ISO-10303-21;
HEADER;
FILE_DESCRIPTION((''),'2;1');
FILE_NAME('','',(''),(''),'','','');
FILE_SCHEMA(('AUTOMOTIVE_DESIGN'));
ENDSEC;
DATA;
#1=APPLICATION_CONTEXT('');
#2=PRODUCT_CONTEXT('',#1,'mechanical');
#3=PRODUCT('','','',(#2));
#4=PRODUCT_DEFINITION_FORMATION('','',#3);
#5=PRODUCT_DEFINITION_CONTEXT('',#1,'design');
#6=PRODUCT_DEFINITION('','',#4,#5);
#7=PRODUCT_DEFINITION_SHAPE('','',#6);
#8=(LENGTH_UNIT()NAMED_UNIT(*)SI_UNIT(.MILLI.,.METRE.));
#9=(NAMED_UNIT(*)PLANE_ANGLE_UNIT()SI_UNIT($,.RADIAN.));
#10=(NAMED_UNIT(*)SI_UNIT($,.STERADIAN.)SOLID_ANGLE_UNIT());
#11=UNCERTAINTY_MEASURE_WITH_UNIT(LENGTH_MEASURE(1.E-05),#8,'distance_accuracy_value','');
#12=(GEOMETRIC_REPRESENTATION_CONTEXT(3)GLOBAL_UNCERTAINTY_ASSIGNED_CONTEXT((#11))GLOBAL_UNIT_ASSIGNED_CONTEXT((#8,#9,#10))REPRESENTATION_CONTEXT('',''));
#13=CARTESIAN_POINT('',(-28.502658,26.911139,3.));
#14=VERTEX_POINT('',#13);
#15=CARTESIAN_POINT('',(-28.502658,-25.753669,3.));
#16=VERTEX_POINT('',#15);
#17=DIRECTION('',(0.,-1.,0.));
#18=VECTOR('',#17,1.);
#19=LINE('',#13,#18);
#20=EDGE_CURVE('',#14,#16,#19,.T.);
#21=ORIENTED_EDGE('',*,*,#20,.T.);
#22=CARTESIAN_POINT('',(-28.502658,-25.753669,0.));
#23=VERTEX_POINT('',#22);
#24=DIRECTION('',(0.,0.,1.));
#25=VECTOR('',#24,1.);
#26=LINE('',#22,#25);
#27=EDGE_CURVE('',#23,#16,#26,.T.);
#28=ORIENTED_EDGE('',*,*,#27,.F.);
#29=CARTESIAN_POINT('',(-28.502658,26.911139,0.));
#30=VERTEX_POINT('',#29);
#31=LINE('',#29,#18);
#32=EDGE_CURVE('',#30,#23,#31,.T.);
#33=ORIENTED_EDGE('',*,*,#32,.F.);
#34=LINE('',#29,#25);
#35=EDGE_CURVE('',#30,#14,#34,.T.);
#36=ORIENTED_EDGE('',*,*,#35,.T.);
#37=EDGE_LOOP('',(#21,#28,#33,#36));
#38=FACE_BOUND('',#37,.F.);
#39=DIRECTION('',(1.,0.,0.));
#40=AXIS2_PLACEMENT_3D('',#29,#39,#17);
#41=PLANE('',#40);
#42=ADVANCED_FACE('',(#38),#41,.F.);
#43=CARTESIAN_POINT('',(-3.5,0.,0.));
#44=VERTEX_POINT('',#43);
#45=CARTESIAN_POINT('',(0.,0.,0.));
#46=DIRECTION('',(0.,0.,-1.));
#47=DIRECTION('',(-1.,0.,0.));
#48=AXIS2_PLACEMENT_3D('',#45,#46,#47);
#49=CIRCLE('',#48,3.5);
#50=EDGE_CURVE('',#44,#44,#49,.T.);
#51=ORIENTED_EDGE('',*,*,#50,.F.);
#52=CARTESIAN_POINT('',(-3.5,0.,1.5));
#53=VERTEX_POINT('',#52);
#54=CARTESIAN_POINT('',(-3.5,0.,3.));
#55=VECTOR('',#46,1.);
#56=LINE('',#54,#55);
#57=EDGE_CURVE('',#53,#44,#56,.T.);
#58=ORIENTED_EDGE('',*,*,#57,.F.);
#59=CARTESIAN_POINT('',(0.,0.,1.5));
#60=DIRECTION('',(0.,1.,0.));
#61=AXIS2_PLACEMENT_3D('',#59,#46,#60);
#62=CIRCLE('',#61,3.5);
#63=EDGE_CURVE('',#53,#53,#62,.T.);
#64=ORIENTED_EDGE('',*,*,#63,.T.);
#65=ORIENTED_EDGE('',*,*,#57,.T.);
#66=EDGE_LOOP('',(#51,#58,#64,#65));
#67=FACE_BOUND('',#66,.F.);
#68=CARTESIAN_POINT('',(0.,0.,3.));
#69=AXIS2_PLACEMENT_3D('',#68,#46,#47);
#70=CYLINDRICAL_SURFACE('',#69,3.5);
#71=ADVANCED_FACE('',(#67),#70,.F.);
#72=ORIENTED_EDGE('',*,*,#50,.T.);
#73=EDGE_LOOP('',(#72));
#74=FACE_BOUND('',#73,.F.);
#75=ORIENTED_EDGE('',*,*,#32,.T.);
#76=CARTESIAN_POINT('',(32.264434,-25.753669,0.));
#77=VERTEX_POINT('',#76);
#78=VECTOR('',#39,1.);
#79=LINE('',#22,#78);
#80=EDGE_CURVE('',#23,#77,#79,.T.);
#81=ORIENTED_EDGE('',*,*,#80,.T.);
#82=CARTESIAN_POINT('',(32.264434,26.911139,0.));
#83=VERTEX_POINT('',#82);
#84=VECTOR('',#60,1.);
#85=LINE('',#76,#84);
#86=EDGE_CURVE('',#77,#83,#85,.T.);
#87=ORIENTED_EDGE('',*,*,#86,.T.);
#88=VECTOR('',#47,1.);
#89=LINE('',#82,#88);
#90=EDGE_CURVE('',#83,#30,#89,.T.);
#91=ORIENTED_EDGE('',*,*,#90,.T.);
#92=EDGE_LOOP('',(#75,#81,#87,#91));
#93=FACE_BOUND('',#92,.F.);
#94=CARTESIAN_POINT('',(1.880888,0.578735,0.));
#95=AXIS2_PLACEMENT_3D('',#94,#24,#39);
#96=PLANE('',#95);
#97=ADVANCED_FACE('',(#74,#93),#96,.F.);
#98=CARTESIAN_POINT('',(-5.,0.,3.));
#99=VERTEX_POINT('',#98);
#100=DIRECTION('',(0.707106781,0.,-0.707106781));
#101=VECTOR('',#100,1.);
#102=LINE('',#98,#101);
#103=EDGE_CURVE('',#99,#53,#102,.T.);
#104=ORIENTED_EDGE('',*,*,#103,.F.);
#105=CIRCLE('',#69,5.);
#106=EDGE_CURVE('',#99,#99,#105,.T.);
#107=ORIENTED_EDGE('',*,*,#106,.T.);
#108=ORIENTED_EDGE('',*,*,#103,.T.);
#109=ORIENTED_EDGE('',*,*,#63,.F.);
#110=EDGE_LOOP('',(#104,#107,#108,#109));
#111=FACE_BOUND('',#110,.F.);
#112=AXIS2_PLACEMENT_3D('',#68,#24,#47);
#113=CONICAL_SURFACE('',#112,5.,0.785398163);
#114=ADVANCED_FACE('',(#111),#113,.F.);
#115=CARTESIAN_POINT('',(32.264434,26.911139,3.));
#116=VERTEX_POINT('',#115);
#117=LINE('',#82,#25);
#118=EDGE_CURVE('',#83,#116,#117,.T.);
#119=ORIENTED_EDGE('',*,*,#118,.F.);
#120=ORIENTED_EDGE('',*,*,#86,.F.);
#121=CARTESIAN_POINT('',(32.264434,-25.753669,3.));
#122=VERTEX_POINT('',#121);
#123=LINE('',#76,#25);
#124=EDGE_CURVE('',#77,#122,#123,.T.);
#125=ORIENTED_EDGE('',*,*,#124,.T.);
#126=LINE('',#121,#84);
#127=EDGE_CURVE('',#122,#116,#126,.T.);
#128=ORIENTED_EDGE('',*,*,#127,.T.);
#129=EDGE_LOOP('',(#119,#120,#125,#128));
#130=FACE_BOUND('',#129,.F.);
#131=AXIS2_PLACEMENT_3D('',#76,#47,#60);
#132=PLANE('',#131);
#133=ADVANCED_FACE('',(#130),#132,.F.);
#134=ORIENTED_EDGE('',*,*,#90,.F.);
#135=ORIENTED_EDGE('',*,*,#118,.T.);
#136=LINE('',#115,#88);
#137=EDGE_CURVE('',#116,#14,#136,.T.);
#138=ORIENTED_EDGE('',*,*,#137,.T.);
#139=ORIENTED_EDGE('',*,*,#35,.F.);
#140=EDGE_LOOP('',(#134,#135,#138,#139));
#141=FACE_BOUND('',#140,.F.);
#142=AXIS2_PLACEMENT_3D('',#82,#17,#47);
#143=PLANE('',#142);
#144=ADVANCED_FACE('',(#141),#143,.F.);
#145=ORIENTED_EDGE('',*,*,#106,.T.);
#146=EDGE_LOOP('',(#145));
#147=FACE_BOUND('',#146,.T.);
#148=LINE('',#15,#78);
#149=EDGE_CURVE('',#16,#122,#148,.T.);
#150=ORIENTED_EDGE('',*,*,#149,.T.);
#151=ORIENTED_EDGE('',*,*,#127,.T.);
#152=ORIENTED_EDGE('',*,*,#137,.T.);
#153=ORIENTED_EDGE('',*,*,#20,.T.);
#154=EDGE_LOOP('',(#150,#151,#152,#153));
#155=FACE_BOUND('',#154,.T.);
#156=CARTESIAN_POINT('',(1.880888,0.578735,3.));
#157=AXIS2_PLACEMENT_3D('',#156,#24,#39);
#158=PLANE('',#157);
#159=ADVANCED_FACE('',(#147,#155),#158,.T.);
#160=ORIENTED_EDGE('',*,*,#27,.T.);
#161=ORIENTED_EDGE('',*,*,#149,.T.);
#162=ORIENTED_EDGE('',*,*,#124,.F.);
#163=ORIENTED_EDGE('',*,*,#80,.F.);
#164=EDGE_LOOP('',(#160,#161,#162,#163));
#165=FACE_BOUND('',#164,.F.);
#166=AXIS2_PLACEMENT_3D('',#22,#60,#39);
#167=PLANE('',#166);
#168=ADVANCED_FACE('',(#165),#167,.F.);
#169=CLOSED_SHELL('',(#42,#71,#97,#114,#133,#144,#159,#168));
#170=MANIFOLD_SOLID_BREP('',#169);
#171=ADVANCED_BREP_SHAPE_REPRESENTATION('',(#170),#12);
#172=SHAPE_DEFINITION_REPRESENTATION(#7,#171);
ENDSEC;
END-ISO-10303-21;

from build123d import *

# Parameters (mm, degrees)
F1_DEPTH       = 3
F3_D           = 7
F3_DEPTH       = 15.24
F3_CSINK_D     = 10
F3_CSINK_ANGLE = 90


with BuildPart() as f1:
    # F0 (on Top) → F1 (new body)
    with BuildSketch(Plane.XY):
        Polygon((32.264434, -25.753669), (32.264434, 0), (32.264434, 26.911139), (0, 26.911139), (-28.502658, 26.911139), (-28.502658, 0), (-28.502658, -25.753669), (0, -25.753669), align=None)
    extrude(amount=F1_DEPTH)

    # F3
    with Locations(Plane.XY.offset(3)):
        with Locations((0, 0)):
            CounterSinkHole(F3_D / 2, F3_CSINK_D / 2, depth=F3_DEPTH, counter_sink_angle=F3_CSINK_ANGLE)


solid = f1.part
